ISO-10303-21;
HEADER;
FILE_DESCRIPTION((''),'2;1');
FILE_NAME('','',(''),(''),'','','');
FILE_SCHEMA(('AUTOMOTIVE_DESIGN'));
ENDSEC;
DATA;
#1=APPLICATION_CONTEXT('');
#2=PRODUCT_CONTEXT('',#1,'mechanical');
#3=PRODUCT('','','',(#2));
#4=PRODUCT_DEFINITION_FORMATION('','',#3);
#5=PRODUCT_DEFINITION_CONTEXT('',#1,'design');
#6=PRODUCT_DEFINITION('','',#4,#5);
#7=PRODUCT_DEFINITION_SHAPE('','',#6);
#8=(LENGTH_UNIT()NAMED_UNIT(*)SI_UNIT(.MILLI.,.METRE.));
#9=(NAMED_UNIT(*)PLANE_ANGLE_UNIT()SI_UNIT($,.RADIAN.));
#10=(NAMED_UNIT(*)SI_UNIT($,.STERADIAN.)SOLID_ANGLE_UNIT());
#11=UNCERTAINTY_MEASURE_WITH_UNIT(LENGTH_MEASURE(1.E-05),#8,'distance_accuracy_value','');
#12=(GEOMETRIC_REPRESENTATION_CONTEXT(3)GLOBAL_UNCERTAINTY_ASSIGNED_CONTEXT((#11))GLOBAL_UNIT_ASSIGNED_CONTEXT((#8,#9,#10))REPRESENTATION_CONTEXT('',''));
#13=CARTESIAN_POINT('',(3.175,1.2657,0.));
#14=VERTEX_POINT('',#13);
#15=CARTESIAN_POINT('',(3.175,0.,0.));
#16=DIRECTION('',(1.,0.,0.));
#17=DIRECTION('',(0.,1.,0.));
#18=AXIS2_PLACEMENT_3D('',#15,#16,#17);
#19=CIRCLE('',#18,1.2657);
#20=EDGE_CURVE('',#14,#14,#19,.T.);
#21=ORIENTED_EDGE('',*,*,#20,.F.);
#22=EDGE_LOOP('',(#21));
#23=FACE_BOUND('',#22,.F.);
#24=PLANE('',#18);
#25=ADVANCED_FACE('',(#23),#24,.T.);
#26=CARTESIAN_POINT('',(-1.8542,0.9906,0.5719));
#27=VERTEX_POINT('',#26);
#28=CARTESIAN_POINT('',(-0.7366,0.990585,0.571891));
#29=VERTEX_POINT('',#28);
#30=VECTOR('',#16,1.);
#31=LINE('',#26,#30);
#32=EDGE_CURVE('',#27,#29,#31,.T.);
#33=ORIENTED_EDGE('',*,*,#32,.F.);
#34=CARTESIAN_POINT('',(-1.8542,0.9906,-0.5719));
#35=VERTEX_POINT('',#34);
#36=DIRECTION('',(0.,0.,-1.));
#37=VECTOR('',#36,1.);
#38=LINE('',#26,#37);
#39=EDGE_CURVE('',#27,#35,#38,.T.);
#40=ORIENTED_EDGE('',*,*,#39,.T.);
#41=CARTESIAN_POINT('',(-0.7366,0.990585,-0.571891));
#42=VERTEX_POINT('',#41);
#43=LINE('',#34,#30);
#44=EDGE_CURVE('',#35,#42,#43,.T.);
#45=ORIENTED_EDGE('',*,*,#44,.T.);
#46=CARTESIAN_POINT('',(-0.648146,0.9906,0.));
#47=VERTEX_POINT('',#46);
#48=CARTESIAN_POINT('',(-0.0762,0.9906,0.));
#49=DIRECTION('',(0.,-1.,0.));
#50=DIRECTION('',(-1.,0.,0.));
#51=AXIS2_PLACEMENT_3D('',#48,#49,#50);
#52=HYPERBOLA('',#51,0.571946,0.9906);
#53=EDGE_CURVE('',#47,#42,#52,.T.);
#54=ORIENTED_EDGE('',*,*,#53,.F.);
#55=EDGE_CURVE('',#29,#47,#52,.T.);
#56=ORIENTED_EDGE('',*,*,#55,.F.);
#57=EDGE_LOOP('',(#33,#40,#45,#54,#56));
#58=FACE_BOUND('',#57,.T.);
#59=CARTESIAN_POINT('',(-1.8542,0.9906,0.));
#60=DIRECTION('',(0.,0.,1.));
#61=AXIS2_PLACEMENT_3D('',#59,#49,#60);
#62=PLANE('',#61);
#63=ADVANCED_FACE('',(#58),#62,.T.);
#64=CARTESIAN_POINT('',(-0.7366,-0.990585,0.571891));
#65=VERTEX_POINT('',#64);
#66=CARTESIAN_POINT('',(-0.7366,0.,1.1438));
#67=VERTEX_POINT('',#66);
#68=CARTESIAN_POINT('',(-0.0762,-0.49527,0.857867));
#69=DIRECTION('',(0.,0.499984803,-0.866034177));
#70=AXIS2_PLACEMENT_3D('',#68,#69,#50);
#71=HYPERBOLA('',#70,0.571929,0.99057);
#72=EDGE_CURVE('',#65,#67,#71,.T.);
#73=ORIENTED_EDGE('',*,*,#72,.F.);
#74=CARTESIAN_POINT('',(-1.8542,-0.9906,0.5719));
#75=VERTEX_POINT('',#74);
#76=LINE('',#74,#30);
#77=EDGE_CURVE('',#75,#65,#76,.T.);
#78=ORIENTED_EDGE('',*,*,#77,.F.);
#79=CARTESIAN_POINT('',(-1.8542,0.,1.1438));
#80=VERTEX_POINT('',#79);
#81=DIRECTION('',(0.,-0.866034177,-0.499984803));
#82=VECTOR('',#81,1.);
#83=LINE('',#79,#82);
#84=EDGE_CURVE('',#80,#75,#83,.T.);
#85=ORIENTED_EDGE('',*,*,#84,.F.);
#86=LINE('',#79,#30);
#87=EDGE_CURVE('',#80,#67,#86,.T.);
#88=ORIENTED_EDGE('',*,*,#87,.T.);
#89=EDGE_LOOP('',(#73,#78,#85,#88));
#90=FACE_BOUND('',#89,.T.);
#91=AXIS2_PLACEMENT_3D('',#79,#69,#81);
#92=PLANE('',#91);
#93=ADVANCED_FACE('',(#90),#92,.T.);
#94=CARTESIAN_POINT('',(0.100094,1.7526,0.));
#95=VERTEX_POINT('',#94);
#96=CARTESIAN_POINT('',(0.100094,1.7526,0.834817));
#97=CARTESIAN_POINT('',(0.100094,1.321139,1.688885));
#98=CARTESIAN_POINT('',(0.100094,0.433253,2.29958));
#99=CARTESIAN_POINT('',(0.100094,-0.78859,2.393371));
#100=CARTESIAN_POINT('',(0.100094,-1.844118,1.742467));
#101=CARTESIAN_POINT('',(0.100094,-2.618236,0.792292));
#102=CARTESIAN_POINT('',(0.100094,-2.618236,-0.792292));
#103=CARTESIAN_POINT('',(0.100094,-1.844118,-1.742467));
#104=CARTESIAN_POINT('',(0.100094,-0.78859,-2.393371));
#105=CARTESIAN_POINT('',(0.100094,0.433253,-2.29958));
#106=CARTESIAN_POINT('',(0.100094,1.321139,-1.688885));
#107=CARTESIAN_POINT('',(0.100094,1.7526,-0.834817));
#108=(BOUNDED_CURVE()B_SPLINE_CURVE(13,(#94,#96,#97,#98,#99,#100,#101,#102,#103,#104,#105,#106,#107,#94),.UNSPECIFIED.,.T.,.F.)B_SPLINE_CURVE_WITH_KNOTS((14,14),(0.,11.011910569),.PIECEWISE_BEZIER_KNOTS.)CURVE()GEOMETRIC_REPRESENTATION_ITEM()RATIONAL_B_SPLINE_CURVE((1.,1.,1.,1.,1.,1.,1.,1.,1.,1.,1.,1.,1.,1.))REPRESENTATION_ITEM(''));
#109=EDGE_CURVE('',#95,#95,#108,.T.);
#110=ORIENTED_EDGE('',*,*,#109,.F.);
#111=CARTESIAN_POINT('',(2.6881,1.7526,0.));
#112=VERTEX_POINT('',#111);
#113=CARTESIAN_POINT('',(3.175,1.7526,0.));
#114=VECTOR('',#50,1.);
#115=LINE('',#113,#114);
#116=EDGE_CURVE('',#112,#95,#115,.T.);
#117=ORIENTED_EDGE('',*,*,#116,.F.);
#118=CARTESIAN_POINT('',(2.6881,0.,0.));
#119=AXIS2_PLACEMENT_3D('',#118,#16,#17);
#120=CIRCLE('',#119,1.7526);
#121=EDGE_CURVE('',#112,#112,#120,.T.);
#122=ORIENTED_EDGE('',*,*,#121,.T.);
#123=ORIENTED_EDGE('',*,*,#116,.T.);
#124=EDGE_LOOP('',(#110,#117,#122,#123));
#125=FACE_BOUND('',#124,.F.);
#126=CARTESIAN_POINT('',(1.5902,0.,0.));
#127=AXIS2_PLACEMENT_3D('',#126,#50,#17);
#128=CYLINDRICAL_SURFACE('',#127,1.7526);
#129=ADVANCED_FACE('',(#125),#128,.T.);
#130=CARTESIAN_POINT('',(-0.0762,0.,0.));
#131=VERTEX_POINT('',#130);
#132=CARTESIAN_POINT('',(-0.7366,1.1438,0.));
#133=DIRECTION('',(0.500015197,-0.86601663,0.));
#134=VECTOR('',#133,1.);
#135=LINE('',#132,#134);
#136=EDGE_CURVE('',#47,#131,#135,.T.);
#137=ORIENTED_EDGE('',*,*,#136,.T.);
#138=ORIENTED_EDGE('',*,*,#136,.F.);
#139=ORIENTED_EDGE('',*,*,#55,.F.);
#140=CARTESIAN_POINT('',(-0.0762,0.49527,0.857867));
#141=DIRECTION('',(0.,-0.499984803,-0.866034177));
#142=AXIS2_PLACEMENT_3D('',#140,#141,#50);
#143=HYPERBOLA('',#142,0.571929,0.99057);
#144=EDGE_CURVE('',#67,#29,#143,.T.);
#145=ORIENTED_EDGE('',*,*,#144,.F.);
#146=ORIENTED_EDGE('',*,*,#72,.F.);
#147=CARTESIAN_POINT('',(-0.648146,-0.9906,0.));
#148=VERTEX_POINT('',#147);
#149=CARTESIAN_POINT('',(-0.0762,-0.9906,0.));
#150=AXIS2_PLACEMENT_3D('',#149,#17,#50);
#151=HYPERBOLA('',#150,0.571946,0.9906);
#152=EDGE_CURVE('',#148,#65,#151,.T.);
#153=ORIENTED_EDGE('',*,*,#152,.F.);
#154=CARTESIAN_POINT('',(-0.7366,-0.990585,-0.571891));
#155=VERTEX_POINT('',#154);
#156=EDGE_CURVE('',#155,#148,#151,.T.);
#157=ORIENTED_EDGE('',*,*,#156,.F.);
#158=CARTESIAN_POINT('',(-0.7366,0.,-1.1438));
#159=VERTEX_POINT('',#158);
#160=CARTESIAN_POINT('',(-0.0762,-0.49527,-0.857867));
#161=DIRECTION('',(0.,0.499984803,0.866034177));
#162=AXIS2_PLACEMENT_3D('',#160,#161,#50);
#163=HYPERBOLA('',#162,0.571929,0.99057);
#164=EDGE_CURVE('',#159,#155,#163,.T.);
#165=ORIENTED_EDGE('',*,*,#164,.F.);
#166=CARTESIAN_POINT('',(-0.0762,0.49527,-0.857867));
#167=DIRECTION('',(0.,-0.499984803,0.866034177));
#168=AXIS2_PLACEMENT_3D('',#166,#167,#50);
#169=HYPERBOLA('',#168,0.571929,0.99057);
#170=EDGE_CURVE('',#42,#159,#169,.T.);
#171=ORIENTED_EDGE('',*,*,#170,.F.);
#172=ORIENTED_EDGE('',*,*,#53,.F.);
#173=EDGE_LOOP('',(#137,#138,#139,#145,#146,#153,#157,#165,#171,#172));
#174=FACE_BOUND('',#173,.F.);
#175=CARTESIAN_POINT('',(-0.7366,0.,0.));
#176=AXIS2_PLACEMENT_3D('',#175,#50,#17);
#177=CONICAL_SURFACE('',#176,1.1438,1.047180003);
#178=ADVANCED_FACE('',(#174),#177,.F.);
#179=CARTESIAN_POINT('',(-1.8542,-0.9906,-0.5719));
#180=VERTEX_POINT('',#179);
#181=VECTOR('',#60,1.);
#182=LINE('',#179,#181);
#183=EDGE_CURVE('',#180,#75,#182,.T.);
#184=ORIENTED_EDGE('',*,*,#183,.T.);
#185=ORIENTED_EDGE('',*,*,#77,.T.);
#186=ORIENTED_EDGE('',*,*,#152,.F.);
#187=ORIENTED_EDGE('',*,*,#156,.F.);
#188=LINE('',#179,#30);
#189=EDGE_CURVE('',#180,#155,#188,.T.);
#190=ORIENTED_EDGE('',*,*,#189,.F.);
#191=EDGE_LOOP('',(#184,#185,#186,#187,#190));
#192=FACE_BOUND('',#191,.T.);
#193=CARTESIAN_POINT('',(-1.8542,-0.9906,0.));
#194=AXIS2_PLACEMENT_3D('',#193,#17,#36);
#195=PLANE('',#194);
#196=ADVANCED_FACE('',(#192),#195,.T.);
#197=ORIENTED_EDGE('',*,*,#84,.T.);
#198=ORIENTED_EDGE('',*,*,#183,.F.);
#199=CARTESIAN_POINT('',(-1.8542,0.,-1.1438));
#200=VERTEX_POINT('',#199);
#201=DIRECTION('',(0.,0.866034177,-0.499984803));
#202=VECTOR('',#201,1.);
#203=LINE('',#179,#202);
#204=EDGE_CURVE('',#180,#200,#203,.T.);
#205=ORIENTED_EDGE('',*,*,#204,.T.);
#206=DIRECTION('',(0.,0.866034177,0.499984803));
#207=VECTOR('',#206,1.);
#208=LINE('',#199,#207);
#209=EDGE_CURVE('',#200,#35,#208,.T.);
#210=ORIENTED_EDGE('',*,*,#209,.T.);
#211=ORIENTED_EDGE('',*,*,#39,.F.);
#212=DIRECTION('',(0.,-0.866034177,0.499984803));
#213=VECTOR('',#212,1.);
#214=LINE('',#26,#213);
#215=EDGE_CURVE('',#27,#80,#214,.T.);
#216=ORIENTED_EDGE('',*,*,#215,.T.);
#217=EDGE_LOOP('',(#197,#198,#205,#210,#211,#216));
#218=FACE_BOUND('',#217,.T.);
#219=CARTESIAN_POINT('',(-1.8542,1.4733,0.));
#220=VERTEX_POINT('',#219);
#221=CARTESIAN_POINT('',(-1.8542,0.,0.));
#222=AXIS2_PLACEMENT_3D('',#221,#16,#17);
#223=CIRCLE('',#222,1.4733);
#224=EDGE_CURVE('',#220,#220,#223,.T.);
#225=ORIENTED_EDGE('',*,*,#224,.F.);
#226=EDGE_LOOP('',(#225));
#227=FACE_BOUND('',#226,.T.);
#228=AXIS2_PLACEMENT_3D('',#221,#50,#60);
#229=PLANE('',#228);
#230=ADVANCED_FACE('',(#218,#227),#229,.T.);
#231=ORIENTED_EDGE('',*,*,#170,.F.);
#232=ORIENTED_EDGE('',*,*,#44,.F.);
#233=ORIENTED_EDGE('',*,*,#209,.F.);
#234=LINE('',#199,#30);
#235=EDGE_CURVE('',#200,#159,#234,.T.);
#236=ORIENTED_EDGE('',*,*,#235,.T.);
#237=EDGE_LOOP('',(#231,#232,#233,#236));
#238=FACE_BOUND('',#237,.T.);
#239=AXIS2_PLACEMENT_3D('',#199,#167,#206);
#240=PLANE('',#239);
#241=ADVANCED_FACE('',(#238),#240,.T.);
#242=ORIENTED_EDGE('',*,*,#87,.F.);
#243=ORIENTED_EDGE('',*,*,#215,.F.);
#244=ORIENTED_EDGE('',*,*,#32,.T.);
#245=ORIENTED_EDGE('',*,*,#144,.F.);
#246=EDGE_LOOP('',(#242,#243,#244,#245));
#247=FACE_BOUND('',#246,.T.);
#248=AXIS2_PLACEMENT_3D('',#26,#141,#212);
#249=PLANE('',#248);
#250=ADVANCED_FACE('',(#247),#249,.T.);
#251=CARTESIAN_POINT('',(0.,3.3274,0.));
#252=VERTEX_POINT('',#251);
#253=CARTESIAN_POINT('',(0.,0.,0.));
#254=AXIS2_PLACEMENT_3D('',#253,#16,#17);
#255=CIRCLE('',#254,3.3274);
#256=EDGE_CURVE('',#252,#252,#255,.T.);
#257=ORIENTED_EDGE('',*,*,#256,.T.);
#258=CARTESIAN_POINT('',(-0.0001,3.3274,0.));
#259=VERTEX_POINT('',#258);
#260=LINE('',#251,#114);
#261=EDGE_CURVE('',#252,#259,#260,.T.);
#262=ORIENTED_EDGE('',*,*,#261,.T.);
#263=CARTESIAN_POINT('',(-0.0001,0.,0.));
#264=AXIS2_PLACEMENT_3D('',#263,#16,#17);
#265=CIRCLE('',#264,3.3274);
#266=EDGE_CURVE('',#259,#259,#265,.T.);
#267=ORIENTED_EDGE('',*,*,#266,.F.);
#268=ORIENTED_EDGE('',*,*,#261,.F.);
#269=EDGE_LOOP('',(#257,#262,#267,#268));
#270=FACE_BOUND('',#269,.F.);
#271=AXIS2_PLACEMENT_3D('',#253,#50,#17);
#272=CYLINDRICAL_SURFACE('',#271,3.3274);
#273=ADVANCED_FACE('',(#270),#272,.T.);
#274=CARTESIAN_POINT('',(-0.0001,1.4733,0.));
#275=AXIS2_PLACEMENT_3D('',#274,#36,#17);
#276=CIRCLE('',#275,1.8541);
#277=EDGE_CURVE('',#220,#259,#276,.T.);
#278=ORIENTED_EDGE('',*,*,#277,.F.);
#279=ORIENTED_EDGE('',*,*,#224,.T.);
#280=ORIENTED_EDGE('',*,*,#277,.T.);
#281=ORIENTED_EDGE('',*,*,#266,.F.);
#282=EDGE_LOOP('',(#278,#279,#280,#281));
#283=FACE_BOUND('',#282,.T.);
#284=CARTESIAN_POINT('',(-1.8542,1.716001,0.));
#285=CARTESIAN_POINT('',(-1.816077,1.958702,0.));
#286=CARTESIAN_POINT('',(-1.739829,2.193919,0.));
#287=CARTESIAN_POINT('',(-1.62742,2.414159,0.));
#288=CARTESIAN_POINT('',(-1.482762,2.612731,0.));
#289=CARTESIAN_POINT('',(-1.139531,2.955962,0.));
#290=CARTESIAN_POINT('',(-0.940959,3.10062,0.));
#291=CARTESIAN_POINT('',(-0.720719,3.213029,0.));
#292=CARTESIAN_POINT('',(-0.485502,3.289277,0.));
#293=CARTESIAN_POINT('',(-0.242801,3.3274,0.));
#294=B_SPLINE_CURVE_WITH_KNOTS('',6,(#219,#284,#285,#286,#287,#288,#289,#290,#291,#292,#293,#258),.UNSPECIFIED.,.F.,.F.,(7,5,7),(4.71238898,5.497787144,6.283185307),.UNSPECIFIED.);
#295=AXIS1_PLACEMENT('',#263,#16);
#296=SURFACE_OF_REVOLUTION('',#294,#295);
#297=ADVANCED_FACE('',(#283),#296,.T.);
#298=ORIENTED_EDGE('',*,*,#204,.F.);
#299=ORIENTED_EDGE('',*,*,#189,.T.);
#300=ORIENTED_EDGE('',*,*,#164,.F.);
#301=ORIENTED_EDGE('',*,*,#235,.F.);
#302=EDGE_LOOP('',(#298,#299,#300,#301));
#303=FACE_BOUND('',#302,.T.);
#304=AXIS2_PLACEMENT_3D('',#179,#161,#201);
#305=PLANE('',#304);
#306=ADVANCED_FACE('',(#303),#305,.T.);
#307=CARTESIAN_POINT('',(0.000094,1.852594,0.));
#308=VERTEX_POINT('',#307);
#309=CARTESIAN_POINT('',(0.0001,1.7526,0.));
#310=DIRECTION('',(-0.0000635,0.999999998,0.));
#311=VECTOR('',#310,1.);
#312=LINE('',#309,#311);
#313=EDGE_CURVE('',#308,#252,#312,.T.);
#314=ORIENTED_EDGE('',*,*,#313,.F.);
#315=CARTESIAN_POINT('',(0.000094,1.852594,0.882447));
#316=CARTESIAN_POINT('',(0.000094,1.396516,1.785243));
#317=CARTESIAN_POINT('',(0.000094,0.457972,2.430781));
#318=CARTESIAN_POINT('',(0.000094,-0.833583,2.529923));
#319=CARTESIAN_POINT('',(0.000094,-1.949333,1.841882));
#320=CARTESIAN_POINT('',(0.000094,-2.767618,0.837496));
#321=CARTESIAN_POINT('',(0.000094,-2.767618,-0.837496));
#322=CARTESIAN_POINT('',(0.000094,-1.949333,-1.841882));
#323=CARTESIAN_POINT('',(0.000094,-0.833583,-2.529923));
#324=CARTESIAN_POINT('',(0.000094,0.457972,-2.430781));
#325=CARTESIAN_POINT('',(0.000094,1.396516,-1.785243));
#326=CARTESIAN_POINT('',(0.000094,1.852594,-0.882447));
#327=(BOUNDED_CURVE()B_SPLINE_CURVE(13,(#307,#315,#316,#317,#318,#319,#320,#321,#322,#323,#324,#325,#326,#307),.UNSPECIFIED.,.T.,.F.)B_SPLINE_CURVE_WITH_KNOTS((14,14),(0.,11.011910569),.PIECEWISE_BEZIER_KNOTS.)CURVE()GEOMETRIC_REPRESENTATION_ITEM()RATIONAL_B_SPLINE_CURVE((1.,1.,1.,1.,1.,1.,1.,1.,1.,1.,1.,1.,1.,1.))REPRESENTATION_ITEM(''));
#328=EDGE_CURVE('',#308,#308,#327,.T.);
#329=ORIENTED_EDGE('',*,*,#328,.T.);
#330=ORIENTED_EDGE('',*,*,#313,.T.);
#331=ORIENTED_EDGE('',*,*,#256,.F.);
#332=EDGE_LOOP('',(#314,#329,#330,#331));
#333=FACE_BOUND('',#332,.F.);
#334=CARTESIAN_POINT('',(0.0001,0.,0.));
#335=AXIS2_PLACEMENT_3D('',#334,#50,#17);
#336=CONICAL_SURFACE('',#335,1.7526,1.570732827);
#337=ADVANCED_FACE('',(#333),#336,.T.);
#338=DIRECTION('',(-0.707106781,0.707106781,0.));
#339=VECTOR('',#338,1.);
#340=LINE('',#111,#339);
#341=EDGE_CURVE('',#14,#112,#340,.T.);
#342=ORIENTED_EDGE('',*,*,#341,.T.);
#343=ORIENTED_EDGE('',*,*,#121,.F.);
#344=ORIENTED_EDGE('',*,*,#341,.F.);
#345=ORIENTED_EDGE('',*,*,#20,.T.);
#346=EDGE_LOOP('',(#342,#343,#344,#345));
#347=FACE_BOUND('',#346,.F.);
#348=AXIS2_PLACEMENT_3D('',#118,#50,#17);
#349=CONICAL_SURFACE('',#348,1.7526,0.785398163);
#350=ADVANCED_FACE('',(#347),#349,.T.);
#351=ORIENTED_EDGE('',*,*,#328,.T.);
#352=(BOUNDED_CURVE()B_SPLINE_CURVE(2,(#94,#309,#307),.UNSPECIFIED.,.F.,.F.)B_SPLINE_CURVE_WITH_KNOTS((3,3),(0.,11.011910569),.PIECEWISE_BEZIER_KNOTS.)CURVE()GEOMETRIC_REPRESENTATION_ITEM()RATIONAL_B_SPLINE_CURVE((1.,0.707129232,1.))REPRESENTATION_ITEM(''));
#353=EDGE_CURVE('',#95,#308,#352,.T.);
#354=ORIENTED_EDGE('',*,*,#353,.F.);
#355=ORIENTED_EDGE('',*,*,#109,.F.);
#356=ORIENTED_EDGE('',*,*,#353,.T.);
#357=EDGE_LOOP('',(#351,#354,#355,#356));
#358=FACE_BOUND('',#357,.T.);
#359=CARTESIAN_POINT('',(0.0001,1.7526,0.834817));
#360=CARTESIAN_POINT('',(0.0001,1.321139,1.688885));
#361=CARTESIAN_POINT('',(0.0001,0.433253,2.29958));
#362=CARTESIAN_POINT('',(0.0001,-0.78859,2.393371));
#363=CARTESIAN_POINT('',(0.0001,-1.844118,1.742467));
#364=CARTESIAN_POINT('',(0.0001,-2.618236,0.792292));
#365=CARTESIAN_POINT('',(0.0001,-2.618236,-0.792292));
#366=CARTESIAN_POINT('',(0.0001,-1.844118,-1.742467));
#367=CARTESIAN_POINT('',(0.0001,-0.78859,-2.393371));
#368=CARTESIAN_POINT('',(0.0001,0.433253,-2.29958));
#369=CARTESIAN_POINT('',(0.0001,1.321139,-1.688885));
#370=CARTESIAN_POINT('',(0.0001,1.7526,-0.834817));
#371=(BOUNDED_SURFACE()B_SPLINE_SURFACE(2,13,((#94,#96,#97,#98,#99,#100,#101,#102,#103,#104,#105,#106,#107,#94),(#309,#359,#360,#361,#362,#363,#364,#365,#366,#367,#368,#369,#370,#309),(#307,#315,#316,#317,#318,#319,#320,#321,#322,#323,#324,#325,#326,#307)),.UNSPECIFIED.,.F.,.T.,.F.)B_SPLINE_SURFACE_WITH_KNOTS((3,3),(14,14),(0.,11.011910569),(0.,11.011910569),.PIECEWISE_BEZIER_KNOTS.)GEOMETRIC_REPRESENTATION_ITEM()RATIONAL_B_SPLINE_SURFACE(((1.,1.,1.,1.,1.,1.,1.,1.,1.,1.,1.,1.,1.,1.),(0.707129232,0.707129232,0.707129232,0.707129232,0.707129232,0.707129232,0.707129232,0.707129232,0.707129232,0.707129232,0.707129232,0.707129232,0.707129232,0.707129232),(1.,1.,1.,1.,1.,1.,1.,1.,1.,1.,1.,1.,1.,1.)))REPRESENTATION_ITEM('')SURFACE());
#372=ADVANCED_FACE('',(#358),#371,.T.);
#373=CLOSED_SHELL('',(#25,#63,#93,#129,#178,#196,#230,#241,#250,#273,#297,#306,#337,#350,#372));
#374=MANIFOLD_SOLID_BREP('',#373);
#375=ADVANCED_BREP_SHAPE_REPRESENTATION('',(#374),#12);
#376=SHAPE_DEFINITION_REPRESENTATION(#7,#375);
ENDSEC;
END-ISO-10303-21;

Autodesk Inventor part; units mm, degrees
ref_plane "YZ Plane" through (0, 0, 0) normal (1, 0, 0) x (0, 1, 0)
ref_plane "XZ Plane" through (0, 0, 0) normal (0, 1, 0) x (-1, 0, 0)
sketch "Sketch1" plane through (0, 0, 0) normal (0, 0, 1) x (1, 0, 0)
  line L0 (-0.0762, 0) -> (3.175, 0)
  line L1 (3.175, 0) -> (3.175, 1.7526)
  line L2 (3.175, 1.7526) -> (1.5902, 1.7526)
  line L3 (1.5902, 1.7526) -> (0.0001, 1.7526)
  line L4 (0.0001, 1.7526) -> (0, 1.7526)
  line L5 (0, 1.7526) -> (0, 3.3274)
  line L6 (0, 3.3274) -> (-1.8542, 3.3274)
  line L7 (-1.8542, 3.3274) -> (-1.8542, 1.1438)
  line L8 (-1.8542, 1.1438) -> (-0.7366, 1.1438)
  line L9 (-0.7366, 1.1438) -> (-0.0762, 0)
  line L10 (-2.86, 0) -> (4.1808, 0) projected
  line L11 (0, -0.6655) -> (0, 3.9929) projected
  line L12 (1.5902, 1.7526) -> (0, 1.7526) construction
  dimension "d1" = 1.5848
  dimension "d2" = 1.5901
  dimension "d3" = 1.8542
  dimension "d4" = 1.1176
  dimension "d5" = 60
  dimension "d6" = 3.5052
  dimension "d7" = 3.5052
  dimension "d8" = 2.2877
  dimension "d9" = 6.6548
  dimension "d26" = 3.175
revolve "Body" add sketch "Sketch1" angle 360 about axis through (-0.0762, 0, 0) along (1, 0, 0)
sketch "Sketch2" plane through (-1.8542, 0, 0) normal (-1, 0, 0) x (0, 0, 1)
  circle A0 centre (0, 0) radius 1.1438 projected
  line L0 (0, -4.6584) -> (0, 4.6584) projected
  line L1 (-4.6584, 0) -> (4.6584, 0) projected
  line L2 (1.1438, 0) -> (0.5719, -0.9906)
  line L3 (0.5719, -0.9906) -> (-0.5719, -0.9906)
  line L4 (-0.5719, -0.9906) -> (-1.1438, 0)
  line L5 (-1.1438, 0) -> (-0.5719, 0.9906)
  line L6 (-0.5719, 0.9906) -> (0.5719, 0.9906)
  line L7 (0.5719, 0.9906) -> (1.1438, 0)
extrude "Slot" add sketch "Sketch2" against normal up to next contours L7 A0 | A0 L2 | L6 L0 A0 | A0 L0 L3 | L0 L6 A0 | A0 L3 L0 | L4 A0 | A0 L5
fillet "Fillet1" radius 1.8541 1 edges at (-1.8542, -3.3274, 0)
thread "Thread" size "6-32 UNC" class "2A" standard "ANSI Unified Screw Threads" length 1.5848
chamfer "Chamfer1" distance 0.4869 distance2 0.4869 1 edges at (3.175, -1.7526, 0) measured on face at (3.175, -0.5672, -0.1398)
ref_plane "Work Plane1" through (29, 0, 0) normal (0, -1, 0) x (1, 0, 0)
fillet "Fillet2" radius 0.1 1 edges at (0.0001, -1.7526, 0)
equation "\"d30\" = R"
equation "\"d17\" = RR"
equation "\"d13\" = GEL"
equation "\"d15\" = -0.5 * SPD + 0.5 * GD"
equation "\"d16\" = GUL"
equation "\"d1\" = GEL"
equation "\"d3\" = KOH"
equation "\"d4\" = INTI"
equation "\"d6\" = GD"
equation "\"d7\" = BDM"
equation "\"d8\" = 1.1547 * SW"
equation "\"d9\" = KOD"
equation "\"d26\" = NLG"
equation "\"GD\" = NND"
equation "\"NLG\" = 3.175"
equation "\"GEL\" = 1.58476"
equation "\"KOD\" = 6.6548"
equation "\"KOH\" = 1.8542"
equation "\"INTI\" = 1.1176"
equation "\"GAL\" = 1.59004"
equation "\"GUL\" = 0.48692"
equation "\"BDM\" = NND"
equation "\"SW\" = 1.9812"
equation "\"RR\" = 1.8541"
equation "\"SPD\" = 2.53136"
equation "\"R\" = 0.1"
equation "\"TOA\" = 30deg"
equation "\"GD1\" = SPD"
equation "\"THREADDIA\" = 3.5052"
equation "\"KOH1\" = 0.381"
equation "\"NND\" = 3.5052"
equation "\"E0\" = 2.28829"
properties part number "ANSI B18.3 - 6 - 32 x 1/8" material "Steel, Mild"
